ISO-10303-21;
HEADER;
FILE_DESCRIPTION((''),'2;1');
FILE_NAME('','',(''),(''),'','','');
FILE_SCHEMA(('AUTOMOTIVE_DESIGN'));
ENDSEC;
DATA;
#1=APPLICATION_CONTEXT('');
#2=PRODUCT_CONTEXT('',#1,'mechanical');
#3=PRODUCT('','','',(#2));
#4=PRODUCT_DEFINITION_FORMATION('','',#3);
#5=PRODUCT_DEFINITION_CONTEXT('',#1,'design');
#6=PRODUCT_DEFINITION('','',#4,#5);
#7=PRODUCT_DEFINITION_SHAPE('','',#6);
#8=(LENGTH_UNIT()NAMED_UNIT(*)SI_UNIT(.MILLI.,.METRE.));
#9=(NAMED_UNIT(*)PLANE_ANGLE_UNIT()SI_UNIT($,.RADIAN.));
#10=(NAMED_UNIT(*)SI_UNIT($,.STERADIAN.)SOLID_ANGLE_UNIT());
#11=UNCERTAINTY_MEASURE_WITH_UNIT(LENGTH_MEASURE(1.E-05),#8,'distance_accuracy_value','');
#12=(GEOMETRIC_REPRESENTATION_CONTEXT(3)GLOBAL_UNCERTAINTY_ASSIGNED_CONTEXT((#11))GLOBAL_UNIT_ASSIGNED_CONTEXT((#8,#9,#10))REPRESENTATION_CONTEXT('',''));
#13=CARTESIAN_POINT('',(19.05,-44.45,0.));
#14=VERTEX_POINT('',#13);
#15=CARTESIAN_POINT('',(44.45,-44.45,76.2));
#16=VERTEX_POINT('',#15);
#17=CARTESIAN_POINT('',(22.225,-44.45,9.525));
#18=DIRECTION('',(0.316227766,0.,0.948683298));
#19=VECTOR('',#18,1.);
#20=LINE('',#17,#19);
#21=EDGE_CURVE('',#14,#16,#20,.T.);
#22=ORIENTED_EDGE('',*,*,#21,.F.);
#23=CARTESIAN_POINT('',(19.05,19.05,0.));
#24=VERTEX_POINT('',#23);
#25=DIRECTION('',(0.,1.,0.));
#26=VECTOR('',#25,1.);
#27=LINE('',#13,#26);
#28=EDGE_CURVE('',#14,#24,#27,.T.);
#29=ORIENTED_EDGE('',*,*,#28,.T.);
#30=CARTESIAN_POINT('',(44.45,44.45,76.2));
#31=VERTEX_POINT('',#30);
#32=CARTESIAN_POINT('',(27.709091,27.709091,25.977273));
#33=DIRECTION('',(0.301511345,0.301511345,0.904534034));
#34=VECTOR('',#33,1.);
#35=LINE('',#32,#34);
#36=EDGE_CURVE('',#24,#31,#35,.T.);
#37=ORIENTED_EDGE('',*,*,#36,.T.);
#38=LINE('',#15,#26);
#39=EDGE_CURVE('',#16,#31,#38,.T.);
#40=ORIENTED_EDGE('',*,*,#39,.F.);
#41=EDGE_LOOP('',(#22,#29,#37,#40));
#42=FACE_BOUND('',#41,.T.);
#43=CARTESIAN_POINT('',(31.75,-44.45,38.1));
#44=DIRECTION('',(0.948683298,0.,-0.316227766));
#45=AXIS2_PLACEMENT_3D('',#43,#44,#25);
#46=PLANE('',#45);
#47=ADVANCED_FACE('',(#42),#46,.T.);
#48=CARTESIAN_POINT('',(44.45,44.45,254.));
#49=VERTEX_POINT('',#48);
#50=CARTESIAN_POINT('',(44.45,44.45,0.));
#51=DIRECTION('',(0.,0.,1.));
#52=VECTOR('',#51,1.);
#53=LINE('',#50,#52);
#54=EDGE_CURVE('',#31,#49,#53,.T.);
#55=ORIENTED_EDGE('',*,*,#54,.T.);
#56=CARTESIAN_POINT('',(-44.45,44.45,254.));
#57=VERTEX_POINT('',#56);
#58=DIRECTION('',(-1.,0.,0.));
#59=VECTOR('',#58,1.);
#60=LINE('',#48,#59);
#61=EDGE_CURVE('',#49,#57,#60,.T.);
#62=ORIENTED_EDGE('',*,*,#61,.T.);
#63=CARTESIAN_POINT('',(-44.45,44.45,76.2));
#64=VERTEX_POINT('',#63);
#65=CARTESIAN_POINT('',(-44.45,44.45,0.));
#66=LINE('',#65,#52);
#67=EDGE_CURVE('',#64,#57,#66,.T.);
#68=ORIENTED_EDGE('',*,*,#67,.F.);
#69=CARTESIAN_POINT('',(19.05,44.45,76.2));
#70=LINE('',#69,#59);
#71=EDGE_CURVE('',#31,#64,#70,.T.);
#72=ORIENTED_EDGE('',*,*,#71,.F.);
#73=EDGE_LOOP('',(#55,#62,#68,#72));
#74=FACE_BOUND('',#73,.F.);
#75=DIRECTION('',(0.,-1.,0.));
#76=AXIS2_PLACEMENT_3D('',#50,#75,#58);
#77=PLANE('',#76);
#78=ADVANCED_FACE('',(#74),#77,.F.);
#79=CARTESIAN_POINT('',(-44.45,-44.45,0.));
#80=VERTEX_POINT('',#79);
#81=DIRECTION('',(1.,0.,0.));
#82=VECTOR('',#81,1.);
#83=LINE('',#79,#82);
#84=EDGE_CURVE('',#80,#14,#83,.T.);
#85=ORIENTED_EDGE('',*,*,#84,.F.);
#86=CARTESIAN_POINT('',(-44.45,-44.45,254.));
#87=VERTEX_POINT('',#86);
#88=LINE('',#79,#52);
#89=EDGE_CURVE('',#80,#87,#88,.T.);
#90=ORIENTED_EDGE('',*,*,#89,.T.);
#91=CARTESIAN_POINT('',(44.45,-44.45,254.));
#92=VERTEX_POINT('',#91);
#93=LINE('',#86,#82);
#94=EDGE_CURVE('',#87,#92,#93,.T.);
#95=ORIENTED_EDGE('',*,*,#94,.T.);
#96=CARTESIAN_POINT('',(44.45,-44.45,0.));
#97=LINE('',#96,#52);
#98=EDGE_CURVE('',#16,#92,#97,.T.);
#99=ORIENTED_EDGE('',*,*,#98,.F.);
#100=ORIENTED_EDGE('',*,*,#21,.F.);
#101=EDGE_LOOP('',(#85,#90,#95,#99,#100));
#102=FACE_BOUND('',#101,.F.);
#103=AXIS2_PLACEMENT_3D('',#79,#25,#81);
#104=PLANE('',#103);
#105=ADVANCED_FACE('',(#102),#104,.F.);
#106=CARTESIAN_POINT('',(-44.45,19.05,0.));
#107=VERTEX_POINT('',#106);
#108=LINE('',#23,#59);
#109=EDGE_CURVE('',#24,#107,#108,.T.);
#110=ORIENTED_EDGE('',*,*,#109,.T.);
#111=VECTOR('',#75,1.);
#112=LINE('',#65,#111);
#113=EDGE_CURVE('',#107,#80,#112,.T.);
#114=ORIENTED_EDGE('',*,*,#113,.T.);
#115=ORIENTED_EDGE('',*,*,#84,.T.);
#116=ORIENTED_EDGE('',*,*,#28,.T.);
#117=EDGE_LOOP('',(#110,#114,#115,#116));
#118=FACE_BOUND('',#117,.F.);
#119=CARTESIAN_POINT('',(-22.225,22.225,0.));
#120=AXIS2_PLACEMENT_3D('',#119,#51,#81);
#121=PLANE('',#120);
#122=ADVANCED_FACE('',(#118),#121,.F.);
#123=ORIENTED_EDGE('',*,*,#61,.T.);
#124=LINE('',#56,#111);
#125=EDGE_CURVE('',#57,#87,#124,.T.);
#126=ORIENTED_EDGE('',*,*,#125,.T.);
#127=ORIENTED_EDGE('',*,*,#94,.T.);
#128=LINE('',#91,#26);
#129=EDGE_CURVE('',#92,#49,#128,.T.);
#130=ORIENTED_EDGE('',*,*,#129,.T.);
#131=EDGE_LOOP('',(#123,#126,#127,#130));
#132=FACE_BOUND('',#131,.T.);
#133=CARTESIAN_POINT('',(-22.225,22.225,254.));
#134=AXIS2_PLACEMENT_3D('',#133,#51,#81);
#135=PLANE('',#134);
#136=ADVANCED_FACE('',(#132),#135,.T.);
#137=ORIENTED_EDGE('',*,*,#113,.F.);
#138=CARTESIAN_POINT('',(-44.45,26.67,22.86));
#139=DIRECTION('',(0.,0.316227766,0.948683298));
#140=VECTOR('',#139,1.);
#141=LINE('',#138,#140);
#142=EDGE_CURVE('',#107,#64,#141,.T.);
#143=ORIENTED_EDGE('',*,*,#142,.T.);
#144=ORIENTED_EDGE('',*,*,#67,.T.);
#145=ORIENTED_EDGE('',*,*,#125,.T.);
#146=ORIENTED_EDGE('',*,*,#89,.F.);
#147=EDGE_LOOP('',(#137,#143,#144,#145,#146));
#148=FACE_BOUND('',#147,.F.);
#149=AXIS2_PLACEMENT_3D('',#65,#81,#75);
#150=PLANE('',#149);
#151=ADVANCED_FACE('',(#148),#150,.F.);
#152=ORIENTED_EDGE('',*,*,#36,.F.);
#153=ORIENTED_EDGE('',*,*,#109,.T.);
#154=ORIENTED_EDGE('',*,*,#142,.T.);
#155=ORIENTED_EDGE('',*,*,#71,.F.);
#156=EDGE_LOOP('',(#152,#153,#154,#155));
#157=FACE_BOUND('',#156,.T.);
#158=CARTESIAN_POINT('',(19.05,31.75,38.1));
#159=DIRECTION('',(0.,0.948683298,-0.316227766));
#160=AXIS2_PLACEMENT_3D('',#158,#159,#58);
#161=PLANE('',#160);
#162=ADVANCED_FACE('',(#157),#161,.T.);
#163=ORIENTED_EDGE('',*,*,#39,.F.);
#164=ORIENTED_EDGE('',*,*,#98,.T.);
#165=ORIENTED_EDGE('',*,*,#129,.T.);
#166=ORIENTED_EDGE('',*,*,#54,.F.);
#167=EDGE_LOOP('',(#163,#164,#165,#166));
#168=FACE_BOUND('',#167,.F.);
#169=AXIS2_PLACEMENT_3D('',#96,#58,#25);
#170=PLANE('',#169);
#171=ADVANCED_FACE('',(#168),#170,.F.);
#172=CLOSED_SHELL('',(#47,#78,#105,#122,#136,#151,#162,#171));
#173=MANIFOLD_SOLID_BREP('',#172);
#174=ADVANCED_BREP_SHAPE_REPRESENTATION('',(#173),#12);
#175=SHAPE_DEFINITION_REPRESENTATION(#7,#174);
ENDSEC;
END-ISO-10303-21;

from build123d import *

# Parameters (mm, degrees)
F0_W     = 44.45
F0_H     = 44.45
F1_DEPTH = 254
F2_SIZE2 = 76.2
F2_SIZE  = 25.4
F3_SIZE2 = 76.2
F3_SIZE  = 25.4


with BuildPart() as f1:
    # F0 (on Top) → F1 (new body)
    with BuildSketch(Plane.XY):
        with Locations((-22.225, 22.225)):
            Rectangle(F0_W, F0_H)
        with Locations((22.225, 22.225)):
            Rectangle(F0_W, F0_H)
        with Locations((22.225, -22.225)):
            Rectangle(F0_W, F0_H)
        with Locations((-22.225, -22.225)):
            Rectangle(F0_W, F0_H)
    extrude(amount=F1_DEPTH)

    # F2
    f2_edges = [f1.edges().sort_by_distance(p)[0] for p in [
        (44.45, 0, 0),
    ]]
    f2_side = f1.faces().sort_by_distance((0, 0, 0))[0]
    chamfer(f2_edges, length=F2_SIZE, length2=F2_SIZE2, reference=f2_side)

    # F3
    f3_edges = [f1.edges().sort_by_distance(p)[0] for p in [
        (-12.7, 44.45, 0),
    ]]
    f3_side = f1.faces().sort_by_distance((-12.7, 0, 0))[0]
    chamfer(f3_edges, length=F3_SIZE, length2=F3_SIZE2, reference=f3_side)


solid = f1.part
